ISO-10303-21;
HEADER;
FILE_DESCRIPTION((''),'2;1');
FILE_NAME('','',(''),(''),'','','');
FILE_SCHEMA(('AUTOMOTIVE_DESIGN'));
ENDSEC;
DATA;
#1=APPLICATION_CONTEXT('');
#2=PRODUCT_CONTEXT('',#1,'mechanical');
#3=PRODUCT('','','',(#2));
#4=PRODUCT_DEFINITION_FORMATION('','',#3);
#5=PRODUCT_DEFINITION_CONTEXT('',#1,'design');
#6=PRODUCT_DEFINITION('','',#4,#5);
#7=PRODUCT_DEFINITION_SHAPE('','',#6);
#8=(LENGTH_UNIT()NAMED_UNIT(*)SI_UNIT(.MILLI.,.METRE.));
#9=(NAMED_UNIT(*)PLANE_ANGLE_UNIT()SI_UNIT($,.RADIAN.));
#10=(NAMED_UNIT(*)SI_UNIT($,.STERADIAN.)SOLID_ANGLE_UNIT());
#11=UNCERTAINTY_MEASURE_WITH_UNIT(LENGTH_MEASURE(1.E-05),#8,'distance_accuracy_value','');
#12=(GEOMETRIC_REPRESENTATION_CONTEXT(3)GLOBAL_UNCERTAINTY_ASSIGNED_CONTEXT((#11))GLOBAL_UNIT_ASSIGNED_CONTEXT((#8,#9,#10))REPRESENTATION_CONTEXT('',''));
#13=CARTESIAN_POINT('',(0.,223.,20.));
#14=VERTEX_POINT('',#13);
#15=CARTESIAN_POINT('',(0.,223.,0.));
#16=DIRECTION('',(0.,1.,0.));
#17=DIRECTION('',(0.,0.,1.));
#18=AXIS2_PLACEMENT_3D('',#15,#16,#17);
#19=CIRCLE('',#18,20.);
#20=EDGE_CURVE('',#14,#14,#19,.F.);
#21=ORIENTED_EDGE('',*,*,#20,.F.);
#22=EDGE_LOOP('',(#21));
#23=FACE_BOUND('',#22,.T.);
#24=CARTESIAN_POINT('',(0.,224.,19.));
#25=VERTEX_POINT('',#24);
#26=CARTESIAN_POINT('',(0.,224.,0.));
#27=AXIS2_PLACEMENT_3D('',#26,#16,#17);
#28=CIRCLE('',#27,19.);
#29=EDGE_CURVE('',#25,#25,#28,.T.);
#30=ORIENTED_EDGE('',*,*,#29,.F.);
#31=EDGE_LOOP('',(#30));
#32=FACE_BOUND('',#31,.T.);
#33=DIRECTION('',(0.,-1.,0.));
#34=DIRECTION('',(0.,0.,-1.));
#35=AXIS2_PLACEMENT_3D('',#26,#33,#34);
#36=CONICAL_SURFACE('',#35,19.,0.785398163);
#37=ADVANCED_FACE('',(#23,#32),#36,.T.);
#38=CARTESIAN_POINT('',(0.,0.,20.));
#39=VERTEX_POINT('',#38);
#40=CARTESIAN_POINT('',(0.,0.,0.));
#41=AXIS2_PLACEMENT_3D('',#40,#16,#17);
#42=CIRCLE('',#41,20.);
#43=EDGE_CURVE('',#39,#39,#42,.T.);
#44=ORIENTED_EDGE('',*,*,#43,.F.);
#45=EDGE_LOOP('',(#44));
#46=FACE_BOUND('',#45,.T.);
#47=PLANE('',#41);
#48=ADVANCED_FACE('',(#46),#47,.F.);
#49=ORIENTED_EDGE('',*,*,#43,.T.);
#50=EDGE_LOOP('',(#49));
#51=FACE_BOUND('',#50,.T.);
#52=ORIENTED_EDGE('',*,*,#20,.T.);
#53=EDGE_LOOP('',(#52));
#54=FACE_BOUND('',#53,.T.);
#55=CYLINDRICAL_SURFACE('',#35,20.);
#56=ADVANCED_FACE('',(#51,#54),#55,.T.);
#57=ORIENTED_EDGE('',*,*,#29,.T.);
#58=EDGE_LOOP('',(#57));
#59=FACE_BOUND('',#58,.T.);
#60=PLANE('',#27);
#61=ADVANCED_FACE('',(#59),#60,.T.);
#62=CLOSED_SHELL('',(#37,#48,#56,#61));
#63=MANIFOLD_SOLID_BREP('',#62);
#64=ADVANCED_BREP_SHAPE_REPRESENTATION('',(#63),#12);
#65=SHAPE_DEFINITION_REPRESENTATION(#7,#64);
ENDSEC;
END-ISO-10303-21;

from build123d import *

# Parameters (mm, degrees)
SKETCH1_R           = 20
BOSS_EXTRUDE1_DEPTH = 224
CHAMFER2_SIZE       = 1


with BuildPart() as part:
    # Sketch1 → Boss-Extrude1 (new body)
    with BuildSketch(Plane(origin=(0, 0, 0), x_dir=(1, 0, 0), z_dir=(0, 1, 0))):
        Circle(SKETCH1_R)
    extrude(amount=BOSS_EXTRUDE1_DEPTH)

    # Chamfer2
    chamfer2_edges = [part.edges().sort_by_distance(p)[0] for p in [
        (-20, 224, 0),
    ]]
    chamfer(chamfer2_edges, length=CHAMFER2_SIZE)


solid = part.part
